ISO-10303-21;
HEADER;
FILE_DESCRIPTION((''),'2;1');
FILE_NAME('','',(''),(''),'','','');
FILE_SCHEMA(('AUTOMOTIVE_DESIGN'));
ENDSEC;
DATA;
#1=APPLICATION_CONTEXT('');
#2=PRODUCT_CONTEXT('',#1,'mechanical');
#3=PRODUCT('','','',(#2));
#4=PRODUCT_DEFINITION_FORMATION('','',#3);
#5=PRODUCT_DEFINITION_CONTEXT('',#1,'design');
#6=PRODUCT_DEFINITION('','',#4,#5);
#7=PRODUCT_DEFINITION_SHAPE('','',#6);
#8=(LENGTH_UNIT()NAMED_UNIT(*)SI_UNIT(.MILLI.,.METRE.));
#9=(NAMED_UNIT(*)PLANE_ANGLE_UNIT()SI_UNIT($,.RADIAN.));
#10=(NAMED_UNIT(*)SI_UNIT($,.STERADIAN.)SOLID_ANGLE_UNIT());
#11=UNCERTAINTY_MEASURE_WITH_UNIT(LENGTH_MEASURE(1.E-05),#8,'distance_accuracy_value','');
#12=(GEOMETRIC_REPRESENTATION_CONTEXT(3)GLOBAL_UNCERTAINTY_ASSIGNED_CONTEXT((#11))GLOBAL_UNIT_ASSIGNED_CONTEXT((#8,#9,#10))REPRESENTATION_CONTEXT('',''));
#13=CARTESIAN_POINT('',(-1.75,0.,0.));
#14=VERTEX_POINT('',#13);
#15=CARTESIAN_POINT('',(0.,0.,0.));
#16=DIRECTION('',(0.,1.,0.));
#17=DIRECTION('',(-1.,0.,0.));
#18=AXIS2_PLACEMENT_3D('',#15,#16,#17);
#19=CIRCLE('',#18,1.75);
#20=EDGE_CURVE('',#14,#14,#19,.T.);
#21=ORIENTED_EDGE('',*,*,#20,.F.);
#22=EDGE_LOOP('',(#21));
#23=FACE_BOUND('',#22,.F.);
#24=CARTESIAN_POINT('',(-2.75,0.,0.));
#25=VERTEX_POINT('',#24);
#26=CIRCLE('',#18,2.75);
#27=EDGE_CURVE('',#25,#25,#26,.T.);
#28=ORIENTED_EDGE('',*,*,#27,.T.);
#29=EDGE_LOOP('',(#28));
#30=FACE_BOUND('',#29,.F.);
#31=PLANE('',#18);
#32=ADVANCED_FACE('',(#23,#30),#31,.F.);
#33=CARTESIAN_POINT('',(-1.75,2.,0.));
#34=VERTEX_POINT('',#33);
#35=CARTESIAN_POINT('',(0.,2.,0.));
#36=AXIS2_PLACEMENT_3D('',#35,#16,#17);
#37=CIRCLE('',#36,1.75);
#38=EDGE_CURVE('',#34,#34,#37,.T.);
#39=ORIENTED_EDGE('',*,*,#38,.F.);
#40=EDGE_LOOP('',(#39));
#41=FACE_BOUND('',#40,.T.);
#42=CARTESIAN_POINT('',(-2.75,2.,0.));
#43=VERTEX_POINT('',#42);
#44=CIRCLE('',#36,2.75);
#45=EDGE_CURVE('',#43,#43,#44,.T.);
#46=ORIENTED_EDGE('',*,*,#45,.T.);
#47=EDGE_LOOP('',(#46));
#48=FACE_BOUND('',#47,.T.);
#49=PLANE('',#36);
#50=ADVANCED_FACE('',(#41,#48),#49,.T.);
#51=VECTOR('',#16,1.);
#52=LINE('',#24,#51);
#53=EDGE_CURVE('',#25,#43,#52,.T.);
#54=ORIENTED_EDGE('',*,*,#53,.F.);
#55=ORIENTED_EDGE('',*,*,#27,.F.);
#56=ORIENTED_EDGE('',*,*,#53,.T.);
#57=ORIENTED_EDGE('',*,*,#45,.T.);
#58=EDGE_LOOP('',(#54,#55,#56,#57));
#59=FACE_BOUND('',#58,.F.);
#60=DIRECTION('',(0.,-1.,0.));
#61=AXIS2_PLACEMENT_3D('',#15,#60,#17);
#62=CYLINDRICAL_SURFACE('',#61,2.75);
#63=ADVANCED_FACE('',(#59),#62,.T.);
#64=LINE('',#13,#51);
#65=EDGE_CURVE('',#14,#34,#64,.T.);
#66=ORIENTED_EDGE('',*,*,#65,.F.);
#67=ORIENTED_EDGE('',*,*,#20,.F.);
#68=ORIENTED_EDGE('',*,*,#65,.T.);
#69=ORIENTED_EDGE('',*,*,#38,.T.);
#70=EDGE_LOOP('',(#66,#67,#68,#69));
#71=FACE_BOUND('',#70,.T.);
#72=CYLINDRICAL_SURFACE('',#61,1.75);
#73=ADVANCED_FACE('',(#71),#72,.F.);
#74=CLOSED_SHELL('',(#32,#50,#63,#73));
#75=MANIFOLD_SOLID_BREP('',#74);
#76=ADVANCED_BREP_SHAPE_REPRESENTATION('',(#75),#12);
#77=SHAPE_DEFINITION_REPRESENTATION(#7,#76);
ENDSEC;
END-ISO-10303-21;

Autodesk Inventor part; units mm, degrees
ref_plane "YZ Plane" through (0, 0, 0) normal (1, 0, 0) x (0, 1, 0)
ref_plane "XZ Plane" through (0, 0, 0) normal (0, 1, 0) x (-1, 0, 0)
ref_plane "XY Plane" through (0, 0, 0) normal (0, 0, 1) x (1, 0, 0)
sketch "Sketch1" plane through (0, 0, 0) normal (0, 1, 0) x (-1, 0, 0)
  circle A0 centre (0, 0) radius 1.75
  circle A1 centre (0, 0) radius 2.75
  dimension "d0" = 3.5
  dimension "d1" = 5.5
extrude "Extrusion1" add sketch "Sketch1" along normal blind 2
properties part number "espacidador2"
